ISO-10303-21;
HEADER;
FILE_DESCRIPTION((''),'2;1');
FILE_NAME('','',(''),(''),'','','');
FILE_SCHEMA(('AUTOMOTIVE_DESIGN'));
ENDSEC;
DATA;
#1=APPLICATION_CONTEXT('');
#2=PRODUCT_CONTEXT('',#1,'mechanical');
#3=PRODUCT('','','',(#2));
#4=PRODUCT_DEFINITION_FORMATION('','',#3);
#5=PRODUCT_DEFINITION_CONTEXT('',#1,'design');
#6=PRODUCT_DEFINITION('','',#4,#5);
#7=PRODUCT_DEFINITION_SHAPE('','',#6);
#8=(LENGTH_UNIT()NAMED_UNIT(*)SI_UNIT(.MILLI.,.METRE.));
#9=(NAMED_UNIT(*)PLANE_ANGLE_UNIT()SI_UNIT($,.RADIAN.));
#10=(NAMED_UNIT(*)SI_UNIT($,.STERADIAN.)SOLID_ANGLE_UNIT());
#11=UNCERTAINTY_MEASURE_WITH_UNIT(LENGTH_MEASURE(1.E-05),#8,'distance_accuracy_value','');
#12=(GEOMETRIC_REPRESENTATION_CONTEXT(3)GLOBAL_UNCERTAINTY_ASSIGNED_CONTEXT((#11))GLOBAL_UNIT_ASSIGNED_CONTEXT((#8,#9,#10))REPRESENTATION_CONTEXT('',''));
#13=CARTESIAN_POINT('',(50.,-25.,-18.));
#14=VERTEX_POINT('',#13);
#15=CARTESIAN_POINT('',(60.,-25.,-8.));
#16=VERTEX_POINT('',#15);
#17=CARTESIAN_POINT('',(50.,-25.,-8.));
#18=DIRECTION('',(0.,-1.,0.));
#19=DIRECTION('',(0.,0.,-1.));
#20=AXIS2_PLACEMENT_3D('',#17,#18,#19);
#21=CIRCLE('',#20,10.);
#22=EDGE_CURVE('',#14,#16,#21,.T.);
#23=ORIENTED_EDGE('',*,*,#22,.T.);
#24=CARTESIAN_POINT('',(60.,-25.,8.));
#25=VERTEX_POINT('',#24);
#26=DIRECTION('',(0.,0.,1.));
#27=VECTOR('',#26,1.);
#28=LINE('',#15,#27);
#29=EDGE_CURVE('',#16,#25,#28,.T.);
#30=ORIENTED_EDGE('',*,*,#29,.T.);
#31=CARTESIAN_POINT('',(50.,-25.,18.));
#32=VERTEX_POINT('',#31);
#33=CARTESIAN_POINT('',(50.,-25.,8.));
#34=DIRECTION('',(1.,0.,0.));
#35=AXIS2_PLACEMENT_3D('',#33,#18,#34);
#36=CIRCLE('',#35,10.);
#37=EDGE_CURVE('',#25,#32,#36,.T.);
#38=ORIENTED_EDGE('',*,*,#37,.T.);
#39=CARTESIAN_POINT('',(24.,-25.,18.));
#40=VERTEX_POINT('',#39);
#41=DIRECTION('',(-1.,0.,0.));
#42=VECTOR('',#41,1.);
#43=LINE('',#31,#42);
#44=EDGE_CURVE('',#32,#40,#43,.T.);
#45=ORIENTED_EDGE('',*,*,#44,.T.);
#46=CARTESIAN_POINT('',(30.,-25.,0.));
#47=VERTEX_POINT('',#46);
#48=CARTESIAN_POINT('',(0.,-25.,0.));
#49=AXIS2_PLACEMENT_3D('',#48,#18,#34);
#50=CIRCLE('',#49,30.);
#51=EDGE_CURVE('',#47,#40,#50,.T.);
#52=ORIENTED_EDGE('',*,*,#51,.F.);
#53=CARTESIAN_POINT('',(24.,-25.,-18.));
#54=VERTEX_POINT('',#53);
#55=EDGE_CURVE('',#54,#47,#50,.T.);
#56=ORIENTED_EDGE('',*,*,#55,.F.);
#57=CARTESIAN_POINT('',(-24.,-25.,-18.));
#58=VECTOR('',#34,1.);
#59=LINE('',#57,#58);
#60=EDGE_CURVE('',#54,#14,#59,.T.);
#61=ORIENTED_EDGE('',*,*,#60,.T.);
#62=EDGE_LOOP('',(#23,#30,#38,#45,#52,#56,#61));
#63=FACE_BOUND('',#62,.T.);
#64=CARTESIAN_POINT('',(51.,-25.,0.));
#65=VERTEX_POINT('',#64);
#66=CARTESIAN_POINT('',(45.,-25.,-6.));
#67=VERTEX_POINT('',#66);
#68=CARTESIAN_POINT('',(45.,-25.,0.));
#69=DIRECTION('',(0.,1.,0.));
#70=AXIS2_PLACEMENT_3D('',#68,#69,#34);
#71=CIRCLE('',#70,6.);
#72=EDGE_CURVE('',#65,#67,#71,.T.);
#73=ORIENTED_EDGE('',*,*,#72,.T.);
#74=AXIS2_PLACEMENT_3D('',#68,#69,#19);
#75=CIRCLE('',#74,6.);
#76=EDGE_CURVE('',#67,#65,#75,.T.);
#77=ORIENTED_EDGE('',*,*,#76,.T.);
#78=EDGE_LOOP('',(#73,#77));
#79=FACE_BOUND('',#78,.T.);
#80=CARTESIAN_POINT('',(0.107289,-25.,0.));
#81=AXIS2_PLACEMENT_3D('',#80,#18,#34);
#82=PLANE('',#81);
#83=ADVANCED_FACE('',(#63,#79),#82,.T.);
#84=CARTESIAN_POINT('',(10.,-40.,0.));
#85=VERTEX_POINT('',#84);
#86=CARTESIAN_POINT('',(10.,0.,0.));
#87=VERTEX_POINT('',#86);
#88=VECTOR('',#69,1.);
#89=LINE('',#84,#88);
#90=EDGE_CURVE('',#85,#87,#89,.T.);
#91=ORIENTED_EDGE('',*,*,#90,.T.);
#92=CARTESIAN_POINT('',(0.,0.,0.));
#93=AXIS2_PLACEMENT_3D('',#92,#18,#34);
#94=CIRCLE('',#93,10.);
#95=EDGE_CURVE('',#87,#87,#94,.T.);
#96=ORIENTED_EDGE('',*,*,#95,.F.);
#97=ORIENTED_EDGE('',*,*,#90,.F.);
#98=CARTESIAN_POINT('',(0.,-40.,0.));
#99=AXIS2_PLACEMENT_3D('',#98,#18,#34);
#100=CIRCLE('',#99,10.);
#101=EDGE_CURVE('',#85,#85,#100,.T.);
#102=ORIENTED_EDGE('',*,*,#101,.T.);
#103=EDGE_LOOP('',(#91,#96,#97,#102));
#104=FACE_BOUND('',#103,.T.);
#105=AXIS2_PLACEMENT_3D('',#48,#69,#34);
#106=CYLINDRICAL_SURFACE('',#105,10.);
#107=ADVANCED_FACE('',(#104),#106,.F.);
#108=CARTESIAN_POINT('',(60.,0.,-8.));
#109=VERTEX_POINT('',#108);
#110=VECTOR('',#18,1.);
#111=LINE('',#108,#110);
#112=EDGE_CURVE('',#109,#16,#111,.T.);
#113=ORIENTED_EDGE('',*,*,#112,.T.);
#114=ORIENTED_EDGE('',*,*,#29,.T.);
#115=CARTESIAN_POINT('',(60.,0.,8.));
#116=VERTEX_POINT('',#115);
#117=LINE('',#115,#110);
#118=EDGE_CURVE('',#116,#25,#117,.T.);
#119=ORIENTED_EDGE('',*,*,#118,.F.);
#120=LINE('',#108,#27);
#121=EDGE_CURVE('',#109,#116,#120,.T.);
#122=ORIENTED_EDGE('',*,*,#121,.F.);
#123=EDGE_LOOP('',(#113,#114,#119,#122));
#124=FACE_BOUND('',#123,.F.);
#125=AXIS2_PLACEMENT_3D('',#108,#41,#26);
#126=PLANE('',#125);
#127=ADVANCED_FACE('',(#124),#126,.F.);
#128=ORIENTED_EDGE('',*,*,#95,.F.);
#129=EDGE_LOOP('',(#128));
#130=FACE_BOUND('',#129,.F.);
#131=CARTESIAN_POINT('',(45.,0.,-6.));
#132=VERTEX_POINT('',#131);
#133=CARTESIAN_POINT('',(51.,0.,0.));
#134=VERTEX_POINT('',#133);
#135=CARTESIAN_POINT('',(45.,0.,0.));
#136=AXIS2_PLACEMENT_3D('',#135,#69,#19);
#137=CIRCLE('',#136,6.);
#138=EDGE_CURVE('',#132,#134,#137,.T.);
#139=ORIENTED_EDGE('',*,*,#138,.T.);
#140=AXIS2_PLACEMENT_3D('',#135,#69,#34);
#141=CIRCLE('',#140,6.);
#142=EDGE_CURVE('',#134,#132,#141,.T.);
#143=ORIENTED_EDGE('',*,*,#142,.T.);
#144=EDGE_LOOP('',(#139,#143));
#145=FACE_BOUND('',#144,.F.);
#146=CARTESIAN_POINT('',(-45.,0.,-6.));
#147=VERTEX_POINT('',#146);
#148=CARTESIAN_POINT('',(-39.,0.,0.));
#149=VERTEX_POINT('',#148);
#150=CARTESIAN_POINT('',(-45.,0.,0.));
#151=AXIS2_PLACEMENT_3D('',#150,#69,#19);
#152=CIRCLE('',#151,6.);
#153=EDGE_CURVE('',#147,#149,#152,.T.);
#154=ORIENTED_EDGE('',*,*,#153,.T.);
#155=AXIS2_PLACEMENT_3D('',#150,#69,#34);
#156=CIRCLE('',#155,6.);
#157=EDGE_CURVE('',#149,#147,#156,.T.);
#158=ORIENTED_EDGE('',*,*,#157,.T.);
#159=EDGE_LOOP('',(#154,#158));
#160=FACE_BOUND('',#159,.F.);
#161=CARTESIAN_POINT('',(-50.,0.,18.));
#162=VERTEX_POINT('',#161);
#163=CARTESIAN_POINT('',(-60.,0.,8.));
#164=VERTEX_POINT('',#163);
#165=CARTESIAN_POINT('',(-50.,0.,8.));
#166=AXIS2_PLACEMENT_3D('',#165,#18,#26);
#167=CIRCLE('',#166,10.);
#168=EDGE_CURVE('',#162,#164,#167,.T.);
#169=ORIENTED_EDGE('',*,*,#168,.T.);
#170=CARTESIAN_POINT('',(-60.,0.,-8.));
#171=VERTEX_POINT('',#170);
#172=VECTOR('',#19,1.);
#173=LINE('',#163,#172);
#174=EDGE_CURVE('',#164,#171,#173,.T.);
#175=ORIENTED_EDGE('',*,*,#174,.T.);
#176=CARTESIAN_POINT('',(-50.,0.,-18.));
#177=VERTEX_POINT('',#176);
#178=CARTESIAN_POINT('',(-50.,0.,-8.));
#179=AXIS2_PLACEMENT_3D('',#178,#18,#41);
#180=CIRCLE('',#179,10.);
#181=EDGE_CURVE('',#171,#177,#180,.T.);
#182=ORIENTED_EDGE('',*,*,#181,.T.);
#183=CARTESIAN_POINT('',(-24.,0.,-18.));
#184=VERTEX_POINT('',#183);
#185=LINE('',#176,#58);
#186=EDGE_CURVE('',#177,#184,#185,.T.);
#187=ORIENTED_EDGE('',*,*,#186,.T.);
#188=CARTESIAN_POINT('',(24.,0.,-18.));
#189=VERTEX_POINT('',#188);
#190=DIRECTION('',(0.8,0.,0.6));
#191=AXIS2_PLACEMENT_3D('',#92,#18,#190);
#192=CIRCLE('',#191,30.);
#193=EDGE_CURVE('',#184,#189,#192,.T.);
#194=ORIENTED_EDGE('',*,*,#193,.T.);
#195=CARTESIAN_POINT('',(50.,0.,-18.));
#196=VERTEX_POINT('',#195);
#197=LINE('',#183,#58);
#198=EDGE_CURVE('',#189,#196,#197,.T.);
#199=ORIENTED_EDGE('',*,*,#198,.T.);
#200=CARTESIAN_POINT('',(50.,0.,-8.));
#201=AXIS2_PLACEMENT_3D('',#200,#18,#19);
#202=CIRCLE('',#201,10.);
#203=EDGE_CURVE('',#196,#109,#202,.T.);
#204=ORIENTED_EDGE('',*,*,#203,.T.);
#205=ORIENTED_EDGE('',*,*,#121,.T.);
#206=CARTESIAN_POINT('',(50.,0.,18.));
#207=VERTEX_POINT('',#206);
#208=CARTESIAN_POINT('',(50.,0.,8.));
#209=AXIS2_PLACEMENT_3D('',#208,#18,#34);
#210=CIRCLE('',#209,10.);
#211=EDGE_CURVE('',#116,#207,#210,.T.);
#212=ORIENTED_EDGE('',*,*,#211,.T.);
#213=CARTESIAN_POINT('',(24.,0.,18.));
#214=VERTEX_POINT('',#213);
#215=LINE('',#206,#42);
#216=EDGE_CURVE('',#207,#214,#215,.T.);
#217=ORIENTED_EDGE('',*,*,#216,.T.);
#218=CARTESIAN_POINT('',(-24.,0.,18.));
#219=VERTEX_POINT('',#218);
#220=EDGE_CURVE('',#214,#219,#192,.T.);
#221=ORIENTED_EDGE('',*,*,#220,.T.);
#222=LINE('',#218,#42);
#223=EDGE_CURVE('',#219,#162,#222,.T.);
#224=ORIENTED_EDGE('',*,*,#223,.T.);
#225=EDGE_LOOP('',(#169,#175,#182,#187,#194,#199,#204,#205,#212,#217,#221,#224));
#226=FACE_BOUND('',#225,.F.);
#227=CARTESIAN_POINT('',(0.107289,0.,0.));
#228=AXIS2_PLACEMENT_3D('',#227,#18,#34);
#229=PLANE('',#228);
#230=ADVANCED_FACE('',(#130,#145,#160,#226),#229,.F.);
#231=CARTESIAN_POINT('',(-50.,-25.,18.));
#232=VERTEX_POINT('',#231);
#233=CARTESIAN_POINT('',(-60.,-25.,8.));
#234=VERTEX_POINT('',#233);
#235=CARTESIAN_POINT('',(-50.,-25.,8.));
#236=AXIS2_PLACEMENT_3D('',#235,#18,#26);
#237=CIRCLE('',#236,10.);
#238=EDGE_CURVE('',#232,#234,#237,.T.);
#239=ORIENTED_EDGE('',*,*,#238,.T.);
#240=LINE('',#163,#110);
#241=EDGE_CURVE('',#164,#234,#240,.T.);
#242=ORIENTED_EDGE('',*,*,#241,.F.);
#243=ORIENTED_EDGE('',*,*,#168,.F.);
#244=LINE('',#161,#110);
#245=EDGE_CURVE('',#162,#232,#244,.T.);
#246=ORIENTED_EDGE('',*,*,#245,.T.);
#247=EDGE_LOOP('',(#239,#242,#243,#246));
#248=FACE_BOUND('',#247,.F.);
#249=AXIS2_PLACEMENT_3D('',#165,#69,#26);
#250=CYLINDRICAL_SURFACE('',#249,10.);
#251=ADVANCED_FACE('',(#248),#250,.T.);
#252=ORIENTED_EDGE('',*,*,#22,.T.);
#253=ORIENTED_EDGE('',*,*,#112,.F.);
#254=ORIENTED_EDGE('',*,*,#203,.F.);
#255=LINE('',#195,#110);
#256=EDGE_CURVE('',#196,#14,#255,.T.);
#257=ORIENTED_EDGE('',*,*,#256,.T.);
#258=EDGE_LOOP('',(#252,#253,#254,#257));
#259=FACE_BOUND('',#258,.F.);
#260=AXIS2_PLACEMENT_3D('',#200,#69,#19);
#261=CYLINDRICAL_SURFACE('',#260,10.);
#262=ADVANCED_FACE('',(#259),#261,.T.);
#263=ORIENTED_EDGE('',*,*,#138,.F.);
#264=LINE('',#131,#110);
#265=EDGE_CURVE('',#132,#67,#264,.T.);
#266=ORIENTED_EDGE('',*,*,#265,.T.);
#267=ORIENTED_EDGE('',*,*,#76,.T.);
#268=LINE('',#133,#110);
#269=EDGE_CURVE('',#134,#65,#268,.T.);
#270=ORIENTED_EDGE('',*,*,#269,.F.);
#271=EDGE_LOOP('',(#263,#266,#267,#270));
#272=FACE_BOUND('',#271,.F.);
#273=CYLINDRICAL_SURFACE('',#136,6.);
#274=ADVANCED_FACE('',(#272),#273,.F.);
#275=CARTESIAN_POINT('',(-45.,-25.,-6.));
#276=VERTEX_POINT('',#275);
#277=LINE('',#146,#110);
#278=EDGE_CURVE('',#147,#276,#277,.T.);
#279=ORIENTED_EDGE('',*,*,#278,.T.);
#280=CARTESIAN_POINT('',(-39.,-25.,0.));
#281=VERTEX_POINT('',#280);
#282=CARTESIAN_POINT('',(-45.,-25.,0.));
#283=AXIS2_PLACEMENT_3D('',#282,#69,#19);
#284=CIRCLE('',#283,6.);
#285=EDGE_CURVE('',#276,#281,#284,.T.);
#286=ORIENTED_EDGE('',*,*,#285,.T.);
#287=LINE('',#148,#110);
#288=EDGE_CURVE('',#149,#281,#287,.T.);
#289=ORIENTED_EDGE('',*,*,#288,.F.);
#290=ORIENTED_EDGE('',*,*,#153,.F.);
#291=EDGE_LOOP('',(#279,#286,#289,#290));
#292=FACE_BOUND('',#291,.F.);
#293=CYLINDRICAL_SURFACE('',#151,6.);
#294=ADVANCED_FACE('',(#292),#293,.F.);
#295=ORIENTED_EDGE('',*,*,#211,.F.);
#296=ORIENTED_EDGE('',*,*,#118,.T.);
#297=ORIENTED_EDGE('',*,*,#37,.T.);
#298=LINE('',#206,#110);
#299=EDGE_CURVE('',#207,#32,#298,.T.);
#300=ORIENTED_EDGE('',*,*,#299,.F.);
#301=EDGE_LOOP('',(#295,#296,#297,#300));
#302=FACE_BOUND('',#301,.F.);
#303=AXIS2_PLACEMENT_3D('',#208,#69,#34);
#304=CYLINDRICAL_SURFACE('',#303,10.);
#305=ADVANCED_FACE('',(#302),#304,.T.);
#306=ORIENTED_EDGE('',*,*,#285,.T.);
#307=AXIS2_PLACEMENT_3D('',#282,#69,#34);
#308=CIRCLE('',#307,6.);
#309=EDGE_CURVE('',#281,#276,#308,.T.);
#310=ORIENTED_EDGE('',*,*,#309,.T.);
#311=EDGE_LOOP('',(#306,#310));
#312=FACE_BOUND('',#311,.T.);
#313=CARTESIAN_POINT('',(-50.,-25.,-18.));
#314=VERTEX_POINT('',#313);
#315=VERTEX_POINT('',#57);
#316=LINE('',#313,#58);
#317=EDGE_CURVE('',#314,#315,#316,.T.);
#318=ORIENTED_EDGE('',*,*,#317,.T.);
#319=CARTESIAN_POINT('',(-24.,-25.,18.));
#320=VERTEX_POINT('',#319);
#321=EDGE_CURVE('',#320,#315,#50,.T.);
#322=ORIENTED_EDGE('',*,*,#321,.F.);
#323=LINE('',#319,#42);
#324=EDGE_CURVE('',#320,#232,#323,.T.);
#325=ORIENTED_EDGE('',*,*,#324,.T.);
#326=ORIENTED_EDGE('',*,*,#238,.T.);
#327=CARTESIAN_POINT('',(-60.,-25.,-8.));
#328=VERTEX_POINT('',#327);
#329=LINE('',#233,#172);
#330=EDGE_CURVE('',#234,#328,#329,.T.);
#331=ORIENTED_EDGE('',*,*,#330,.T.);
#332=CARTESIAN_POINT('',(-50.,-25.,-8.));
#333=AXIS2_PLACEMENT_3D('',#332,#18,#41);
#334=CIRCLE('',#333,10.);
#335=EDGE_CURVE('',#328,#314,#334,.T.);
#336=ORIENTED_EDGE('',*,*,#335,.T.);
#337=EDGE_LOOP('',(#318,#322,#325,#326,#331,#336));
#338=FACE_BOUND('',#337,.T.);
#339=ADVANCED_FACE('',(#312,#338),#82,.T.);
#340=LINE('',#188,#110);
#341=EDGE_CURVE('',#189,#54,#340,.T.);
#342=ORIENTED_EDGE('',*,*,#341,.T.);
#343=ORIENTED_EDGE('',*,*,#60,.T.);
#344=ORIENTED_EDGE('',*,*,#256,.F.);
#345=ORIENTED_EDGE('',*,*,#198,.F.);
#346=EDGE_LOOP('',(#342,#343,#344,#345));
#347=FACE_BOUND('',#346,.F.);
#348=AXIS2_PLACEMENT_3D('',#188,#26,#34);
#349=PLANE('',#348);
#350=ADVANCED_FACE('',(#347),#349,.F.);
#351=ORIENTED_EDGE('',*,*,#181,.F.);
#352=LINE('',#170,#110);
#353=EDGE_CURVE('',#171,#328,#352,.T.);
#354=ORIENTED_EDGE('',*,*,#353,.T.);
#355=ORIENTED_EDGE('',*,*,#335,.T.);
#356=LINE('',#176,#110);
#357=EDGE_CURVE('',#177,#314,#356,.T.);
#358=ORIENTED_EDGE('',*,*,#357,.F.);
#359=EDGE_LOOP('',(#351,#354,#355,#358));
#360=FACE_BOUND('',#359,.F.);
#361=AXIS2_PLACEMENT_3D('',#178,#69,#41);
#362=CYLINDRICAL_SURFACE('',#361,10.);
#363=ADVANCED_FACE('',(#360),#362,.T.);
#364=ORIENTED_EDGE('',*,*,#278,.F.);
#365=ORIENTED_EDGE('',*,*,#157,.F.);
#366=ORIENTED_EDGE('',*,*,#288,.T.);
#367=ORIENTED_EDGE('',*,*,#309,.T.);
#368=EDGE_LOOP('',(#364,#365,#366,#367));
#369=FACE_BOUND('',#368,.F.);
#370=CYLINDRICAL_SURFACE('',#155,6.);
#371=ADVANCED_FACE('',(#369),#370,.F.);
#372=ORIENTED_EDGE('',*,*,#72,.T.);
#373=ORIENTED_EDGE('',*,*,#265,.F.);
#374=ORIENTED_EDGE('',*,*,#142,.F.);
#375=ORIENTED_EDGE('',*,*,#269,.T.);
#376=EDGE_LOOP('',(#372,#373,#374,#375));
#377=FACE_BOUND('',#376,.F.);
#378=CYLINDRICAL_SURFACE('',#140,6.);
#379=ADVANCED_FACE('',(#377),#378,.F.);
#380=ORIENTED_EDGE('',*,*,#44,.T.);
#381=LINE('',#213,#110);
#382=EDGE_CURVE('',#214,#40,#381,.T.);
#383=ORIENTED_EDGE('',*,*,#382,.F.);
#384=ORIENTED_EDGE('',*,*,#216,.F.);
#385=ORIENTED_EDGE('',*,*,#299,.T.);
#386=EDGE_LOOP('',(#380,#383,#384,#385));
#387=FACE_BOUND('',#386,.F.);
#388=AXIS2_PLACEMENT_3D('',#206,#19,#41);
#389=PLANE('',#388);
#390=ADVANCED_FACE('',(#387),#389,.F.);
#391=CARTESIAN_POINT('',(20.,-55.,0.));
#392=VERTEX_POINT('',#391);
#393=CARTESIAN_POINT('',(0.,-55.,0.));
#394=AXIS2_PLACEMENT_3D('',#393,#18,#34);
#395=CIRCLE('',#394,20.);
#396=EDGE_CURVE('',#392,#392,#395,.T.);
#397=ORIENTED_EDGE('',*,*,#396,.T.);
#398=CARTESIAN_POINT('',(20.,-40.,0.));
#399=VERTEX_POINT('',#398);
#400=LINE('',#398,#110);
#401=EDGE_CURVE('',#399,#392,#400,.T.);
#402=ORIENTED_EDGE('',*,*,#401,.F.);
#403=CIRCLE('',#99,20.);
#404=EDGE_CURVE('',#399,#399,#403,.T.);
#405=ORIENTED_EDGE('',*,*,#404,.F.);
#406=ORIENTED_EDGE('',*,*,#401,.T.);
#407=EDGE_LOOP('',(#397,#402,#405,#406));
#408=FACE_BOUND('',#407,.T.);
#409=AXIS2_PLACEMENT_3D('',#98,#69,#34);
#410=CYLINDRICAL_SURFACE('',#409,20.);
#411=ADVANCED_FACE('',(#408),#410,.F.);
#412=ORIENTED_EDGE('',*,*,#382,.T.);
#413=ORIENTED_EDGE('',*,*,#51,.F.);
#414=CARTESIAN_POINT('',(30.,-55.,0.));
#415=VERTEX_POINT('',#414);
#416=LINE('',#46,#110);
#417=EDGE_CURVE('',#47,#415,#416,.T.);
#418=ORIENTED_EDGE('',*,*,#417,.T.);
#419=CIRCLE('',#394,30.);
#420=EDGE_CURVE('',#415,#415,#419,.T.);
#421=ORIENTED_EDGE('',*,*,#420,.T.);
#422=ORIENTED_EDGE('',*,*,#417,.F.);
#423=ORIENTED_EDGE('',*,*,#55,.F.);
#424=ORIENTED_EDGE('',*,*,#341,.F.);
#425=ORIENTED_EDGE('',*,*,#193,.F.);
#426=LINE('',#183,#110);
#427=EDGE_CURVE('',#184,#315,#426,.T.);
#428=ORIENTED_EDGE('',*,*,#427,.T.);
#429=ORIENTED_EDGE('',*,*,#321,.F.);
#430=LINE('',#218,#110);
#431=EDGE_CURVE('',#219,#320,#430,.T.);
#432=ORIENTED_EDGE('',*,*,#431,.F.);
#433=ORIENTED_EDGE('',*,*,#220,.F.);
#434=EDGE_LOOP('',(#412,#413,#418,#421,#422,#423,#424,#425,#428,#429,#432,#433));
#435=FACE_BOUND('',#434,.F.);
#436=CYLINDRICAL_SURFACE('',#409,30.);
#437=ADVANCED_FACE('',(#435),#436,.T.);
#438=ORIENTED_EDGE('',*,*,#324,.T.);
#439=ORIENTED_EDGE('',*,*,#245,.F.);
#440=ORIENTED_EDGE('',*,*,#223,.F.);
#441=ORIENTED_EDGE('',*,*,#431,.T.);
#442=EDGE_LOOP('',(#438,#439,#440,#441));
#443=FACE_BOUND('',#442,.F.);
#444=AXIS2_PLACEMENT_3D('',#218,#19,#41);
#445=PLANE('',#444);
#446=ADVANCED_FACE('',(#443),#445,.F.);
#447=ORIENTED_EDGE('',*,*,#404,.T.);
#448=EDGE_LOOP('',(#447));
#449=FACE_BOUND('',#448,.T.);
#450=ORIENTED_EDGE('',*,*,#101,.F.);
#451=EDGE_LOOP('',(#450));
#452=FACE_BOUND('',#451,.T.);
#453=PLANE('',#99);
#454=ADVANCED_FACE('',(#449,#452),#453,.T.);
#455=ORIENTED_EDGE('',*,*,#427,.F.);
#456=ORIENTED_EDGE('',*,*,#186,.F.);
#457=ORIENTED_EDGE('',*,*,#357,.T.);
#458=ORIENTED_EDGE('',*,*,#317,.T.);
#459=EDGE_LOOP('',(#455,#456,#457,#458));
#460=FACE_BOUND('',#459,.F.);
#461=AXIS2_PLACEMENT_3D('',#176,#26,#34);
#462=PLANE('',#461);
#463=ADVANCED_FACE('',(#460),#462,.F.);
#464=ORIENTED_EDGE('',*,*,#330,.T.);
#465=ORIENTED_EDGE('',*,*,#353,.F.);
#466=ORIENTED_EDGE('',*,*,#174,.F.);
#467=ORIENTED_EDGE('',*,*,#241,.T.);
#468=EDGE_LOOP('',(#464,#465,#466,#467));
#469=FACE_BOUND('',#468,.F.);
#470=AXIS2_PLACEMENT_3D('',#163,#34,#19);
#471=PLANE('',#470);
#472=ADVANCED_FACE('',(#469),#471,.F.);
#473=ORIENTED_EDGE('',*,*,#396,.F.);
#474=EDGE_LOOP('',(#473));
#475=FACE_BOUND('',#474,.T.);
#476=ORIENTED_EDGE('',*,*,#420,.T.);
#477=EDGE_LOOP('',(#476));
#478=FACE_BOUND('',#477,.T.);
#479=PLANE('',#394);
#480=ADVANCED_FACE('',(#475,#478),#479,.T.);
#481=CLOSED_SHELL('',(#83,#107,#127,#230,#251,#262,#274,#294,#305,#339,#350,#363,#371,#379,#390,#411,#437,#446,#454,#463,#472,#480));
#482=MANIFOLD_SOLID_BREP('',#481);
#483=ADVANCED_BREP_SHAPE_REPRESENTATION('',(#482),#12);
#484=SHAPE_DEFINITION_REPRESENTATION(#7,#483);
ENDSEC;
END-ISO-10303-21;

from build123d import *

# Parameters (mm, degrees)
F0_R     = 10
F1_DEPTH = 25
F2_R     = 30
F2_R_2   = 10
F3_DEPTH = 15
F4_R     = 30
F4_R_2   = 20
F5_DEPTH = 15


with BuildPart() as f1:
    # F0 (on Front) → F1 (new body)
    with BuildSketch(Plane.XZ):
        with BuildLine():
            ThreePointArc((24, -18), (28.4604989415, -9.4868329805), (30, 0))
            ThreePointArc((30, 0), (28.4604989415, 9.4868329805), (24, 18))
            Line((24, 18), (-24, 18))
            ThreePointArc((-24, 18), (-30, 0), (-24, -18))
            Line((-24, -18), (24, -18))
        make_face()
        Circle(F0_R, mode=Mode.SUBTRACT)
        with BuildLine():
            ThreePointArc((24, 18), (28.4604989415, 9.4868329805), (30, 0))
            ThreePointArc((30, 0), (28.4604989415, -9.4868329805), (24, -18))
            Line((24, -18), (45, -18))
            Line((45, -18), (50, -18))
            ThreePointArc((50, -18), (57.0710678119, -15.0710678119), (60, -8))
            Line((60, -8), (60, 8))
            ThreePointArc((60, 8), (57.0710678119, 15.0710678119), (50, 18))
            Line((50, 18), (24, 18))
        make_face()
        with BuildLine():
            ThreePointArc((51, 0), (49.2426406871, -4.2426406871), (45, -6))
            ThreePointArc((45, -6), (40.7573593129, 4.2426406871), (51, 0))
        make_face(mode=Mode.SUBTRACT)
        with BuildLine():
            Line((-24, 18), (24, 18))
            ThreePointArc((24, 18), (0, 30), (-24, 18))
        make_face()
        with BuildLine():
            ThreePointArc((-24, -18), (0, -30), (24, -18))
            Line((24, -18), (-24, -18))
        make_face()
        with BuildLine():
            ThreePointArc((-24, -18), (-30, 0), (-24, 18))
            Line((-24, 18), (-50, 18))
            ThreePointArc((-50, 18), (-57.0710678119, 15.0710678119), (-60, 8))
            Line((-60, 8), (-60, -8))
            ThreePointArc((-60, -8), (-57.0710678119, -15.0710678119), (-50, -18))
            Line((-50, -18), (-45, -18))
            Line((-45, -18), (-24, -18))
        make_face()
        with BuildLine():
            ThreePointArc((-39, 0), (-40.7573593129, -4.2426406871), (-45, -6))
            ThreePointArc((-45, -6), (-49.2426406871, 4.2426406871), (-39, 0))
        make_face(mode=Mode.SUBTRACT)
    extrude(amount=F1_DEPTH)

    # F2 (on face) → F3 (join)
    with BuildSketch(Plane.XZ.offset(25)):
        Circle(F2_R)
        Circle(F2_R_2, mode=Mode.SUBTRACT)
    extrude(amount=F3_DEPTH)

    # F4 (on face) → F5 (join)
    with BuildSketch(Plane.XZ.offset(40)):
        Circle(F4_R)
        Circle(F4_R_2, mode=Mode.SUBTRACT)
    extrude(amount=F5_DEPTH)


solid = f1.part
